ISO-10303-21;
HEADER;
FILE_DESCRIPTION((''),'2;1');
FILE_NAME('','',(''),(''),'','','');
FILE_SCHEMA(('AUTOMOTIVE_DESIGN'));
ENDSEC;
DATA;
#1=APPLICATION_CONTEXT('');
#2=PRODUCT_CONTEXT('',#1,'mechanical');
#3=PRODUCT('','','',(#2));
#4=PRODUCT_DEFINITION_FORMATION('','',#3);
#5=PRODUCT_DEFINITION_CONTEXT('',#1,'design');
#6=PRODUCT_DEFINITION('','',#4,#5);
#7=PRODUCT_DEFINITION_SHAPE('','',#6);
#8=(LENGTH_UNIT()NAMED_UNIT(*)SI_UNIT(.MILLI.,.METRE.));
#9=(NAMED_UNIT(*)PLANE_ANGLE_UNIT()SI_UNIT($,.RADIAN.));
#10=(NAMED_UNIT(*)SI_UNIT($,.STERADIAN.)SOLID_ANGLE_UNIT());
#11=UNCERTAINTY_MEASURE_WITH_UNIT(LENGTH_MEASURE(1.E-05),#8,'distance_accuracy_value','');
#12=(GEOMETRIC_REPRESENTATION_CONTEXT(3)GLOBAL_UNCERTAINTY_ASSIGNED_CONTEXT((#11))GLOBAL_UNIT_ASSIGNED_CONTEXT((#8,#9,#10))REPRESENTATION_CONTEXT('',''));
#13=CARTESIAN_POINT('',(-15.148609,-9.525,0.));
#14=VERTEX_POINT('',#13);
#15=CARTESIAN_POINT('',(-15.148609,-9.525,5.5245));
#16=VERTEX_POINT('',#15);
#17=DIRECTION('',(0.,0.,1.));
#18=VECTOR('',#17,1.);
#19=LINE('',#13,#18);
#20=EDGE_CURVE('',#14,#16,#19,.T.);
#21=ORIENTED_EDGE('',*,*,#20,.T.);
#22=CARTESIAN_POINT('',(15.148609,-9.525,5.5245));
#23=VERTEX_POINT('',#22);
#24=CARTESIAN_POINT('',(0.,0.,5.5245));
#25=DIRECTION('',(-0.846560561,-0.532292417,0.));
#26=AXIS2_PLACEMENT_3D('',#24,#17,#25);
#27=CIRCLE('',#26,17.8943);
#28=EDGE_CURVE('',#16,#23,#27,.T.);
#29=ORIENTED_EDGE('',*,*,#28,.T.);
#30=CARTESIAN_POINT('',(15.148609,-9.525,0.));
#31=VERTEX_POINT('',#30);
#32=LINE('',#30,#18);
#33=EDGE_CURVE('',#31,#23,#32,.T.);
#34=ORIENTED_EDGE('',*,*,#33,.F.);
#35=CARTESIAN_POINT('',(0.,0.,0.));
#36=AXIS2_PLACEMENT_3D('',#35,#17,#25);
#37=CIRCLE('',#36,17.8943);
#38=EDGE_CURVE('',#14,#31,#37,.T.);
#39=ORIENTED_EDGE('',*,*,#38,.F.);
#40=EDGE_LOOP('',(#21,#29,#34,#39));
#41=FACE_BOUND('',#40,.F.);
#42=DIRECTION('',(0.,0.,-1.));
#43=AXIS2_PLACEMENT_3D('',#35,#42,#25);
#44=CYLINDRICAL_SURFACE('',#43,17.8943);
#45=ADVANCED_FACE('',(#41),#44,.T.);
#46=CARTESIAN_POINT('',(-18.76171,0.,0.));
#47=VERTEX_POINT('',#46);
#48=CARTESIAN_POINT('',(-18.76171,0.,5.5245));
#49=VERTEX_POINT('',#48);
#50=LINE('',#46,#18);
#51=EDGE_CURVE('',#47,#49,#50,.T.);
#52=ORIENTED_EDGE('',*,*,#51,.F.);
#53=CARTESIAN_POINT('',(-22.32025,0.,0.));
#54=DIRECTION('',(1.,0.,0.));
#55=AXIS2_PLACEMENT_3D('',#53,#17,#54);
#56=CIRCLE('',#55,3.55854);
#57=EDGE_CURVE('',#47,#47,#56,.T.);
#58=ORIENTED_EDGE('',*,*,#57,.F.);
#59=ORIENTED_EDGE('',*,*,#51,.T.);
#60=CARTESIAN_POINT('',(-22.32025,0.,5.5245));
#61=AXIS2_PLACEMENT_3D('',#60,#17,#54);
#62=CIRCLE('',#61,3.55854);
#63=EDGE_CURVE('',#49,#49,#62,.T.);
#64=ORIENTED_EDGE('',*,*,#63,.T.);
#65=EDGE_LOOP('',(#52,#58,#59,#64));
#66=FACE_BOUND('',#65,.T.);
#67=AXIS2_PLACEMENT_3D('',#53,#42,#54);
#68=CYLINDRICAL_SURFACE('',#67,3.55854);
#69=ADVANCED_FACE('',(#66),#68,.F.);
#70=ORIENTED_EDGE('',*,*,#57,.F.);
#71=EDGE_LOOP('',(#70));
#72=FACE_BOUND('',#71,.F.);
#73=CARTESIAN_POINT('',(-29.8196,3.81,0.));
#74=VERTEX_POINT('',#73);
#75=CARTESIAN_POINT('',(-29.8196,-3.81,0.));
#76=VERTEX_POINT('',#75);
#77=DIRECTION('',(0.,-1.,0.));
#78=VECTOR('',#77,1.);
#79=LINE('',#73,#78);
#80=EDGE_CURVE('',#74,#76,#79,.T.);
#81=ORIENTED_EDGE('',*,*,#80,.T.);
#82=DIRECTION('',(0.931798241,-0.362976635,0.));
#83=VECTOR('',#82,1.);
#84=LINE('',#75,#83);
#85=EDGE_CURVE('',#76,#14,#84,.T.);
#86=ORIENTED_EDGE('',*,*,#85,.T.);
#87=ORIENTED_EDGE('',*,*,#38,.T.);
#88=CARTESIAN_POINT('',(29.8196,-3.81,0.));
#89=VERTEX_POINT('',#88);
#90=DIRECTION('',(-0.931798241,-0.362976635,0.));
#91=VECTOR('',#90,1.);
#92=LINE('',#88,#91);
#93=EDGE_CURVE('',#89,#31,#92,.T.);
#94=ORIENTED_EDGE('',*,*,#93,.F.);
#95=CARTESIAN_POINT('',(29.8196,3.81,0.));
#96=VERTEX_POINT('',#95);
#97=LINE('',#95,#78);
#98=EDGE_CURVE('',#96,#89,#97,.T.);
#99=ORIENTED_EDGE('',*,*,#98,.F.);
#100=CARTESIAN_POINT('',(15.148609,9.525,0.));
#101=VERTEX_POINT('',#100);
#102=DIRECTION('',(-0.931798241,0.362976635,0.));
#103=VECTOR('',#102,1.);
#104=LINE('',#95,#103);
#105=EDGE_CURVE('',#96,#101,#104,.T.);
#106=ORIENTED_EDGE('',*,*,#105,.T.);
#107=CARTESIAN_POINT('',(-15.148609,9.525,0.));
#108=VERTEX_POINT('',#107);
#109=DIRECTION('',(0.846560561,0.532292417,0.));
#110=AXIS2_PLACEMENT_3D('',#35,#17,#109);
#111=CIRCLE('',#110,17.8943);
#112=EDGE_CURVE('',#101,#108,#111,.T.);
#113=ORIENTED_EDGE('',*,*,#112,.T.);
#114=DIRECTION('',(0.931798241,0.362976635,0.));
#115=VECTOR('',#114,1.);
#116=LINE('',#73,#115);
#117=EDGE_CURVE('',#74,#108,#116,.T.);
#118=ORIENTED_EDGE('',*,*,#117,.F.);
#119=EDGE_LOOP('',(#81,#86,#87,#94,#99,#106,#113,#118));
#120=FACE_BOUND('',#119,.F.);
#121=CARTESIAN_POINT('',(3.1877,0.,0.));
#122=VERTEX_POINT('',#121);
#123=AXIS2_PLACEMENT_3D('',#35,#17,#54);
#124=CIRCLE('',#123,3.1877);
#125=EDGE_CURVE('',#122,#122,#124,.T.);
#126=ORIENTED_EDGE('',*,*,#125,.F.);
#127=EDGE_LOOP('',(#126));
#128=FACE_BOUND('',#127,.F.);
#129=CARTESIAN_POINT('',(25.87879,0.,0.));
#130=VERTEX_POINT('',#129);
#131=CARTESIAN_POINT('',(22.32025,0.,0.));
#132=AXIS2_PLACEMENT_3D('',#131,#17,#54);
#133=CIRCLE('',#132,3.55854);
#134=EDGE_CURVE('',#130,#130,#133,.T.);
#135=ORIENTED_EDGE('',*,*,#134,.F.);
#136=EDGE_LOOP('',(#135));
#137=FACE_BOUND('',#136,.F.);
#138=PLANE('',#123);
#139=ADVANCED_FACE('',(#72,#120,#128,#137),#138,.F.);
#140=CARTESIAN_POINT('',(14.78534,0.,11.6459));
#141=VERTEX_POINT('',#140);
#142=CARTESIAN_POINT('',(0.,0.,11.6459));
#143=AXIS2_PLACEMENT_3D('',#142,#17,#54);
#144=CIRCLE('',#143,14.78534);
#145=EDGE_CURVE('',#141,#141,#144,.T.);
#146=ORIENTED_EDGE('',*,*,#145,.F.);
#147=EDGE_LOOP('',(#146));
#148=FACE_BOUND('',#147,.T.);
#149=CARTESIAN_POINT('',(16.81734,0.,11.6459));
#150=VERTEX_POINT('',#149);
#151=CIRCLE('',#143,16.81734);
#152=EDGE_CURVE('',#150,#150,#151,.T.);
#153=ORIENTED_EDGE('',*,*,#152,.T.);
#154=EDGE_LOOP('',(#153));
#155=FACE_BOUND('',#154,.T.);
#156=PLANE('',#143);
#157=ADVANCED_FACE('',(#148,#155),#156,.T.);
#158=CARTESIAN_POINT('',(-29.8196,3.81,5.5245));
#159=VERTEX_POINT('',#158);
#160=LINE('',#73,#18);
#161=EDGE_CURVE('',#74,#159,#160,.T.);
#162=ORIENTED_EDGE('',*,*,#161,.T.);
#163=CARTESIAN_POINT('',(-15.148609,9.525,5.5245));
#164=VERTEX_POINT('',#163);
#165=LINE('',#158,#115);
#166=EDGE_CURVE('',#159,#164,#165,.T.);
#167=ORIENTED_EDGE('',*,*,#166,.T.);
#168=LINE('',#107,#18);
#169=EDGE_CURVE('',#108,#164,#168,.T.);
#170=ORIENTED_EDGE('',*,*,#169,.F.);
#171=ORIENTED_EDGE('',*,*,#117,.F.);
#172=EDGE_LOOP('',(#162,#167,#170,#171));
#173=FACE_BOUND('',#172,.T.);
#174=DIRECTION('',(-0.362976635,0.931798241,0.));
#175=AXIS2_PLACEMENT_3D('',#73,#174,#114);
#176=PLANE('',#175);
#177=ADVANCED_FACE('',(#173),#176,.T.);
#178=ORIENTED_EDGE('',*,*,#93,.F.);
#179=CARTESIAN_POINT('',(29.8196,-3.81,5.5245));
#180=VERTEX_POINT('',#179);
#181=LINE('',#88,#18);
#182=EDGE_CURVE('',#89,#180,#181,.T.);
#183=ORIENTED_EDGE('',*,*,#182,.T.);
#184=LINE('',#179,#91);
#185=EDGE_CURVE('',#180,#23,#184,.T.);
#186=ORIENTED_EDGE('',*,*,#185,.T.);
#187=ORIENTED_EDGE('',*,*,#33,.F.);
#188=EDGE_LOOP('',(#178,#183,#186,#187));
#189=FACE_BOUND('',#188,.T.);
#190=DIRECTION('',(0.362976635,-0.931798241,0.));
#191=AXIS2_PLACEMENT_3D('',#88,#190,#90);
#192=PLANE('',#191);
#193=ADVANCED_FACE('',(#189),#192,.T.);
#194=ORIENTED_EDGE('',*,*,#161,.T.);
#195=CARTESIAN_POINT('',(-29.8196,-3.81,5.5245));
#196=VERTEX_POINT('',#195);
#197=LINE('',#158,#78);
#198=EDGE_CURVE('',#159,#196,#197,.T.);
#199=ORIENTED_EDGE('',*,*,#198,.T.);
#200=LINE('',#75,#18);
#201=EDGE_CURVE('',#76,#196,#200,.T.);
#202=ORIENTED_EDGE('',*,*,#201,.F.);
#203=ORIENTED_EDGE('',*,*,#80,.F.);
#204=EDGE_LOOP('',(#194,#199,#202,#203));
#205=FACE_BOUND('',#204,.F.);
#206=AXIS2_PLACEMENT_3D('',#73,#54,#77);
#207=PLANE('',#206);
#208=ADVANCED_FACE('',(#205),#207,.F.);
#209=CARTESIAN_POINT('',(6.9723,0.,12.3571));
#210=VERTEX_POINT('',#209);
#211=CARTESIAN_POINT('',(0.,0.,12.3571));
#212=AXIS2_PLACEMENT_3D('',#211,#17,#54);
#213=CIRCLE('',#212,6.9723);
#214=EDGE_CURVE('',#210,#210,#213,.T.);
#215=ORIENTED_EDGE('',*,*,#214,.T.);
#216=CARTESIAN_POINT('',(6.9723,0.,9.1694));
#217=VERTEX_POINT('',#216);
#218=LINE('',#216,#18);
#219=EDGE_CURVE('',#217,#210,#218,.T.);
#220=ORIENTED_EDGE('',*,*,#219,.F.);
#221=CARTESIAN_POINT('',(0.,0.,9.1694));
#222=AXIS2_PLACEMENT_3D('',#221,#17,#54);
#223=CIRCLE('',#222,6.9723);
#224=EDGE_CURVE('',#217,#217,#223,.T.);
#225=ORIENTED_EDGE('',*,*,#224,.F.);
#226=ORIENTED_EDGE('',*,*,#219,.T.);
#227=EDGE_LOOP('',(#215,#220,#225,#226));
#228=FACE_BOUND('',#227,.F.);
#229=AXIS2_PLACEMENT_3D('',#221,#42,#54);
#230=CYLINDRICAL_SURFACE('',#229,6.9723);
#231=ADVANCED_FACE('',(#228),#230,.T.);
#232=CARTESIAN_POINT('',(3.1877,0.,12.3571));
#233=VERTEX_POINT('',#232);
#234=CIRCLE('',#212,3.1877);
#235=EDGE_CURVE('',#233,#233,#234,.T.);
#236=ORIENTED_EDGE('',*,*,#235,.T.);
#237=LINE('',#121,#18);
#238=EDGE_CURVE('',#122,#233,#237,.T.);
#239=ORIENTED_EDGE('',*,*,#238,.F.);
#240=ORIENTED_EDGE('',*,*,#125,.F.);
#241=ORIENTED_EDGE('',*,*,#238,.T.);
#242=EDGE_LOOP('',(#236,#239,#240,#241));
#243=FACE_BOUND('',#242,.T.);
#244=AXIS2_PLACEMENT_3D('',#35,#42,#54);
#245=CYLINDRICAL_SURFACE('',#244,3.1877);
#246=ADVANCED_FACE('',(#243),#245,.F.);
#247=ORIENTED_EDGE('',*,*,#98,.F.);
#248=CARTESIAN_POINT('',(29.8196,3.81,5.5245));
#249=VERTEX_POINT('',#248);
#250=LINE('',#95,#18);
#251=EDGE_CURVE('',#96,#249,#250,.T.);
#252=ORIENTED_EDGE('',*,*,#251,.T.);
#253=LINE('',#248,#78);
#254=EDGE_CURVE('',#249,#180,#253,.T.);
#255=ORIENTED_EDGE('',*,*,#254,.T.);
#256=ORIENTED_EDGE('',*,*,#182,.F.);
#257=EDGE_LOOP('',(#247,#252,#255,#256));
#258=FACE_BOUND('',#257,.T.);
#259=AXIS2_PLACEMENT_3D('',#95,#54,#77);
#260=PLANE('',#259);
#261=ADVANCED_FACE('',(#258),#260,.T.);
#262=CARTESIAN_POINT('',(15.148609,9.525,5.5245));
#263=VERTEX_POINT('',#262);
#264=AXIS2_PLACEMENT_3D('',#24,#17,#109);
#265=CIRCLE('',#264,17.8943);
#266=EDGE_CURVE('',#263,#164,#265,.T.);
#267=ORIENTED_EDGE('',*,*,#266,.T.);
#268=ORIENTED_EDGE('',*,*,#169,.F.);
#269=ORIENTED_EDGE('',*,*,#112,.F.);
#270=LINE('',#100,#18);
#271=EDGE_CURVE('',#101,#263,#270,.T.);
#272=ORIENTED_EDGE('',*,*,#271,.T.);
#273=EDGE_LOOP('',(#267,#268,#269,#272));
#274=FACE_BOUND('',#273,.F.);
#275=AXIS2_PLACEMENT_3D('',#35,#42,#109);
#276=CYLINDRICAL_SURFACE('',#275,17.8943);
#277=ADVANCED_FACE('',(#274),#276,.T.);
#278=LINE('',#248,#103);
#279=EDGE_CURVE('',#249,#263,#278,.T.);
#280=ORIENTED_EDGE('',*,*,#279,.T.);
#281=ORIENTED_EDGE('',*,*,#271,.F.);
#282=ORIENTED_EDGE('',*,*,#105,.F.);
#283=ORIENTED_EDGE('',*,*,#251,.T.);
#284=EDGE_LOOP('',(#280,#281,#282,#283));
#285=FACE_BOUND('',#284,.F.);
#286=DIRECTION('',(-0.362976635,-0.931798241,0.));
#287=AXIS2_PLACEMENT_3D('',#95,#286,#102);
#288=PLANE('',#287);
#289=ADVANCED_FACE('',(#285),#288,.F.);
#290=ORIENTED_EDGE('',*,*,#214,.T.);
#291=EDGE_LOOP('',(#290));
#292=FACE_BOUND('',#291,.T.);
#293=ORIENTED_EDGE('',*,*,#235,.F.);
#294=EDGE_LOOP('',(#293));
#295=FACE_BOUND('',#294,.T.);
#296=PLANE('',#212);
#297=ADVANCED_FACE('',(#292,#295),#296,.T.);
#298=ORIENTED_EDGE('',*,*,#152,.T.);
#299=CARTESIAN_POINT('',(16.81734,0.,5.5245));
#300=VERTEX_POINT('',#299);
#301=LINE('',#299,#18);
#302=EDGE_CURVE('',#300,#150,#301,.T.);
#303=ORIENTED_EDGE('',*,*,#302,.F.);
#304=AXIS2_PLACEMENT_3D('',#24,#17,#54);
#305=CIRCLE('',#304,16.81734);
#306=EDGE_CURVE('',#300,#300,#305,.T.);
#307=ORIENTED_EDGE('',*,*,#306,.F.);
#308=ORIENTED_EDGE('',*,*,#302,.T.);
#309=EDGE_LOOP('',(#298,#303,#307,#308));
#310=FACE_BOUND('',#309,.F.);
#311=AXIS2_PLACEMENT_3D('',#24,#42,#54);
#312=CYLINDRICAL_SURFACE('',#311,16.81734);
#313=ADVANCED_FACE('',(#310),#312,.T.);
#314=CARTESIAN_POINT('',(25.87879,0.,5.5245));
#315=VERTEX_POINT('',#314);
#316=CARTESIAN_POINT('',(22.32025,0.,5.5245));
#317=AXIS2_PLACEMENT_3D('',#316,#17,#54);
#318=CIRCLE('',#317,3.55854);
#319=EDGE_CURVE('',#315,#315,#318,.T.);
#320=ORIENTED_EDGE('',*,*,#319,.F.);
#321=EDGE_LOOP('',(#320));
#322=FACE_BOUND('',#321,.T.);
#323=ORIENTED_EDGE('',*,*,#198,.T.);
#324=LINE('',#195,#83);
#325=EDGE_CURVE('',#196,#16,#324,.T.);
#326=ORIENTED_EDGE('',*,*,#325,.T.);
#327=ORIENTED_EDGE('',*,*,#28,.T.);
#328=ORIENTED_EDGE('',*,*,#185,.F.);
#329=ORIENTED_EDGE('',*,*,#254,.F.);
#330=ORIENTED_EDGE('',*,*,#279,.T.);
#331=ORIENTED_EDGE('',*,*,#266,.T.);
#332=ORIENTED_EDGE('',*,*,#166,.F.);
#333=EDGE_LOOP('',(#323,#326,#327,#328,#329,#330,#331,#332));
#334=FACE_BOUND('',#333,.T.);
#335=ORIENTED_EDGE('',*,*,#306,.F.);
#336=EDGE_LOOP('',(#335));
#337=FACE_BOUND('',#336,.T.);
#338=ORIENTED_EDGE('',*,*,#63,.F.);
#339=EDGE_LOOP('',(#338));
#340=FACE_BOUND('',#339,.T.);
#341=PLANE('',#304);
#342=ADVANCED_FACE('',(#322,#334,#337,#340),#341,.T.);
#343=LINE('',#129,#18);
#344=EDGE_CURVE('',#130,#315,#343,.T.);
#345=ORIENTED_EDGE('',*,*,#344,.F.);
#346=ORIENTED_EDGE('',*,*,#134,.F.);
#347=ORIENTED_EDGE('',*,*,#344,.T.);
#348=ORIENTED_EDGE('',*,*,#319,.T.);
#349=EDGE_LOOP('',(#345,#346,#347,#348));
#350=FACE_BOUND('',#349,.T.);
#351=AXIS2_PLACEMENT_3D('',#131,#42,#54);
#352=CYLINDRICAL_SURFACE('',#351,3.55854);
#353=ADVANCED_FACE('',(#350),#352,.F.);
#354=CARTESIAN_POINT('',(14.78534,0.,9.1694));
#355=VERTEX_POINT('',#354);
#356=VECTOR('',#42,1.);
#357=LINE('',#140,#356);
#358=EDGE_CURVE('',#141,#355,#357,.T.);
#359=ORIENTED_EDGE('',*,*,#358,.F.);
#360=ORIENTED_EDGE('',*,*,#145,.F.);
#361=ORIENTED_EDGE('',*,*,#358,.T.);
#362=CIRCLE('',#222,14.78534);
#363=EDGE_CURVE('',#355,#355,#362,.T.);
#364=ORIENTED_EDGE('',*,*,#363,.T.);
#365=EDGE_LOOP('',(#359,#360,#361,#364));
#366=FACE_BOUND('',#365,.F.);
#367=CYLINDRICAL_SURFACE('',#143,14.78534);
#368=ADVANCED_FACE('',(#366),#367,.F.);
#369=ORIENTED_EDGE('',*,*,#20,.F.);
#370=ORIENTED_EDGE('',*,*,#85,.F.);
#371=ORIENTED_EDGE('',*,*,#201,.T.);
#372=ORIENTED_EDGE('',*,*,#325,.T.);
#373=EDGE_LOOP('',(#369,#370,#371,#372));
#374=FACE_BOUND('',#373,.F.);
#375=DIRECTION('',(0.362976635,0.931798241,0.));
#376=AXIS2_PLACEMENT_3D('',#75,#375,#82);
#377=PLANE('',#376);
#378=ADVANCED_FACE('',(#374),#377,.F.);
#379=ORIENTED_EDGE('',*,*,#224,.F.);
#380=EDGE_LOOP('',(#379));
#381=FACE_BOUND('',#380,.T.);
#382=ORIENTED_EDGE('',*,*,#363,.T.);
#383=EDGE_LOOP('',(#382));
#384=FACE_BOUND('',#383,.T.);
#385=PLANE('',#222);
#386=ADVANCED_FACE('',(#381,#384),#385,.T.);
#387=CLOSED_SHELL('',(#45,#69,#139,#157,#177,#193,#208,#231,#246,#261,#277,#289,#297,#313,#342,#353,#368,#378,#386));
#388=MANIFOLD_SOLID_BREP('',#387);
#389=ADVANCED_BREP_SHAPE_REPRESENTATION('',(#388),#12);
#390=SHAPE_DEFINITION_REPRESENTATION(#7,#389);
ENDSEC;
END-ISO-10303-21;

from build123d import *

# Parameters (mm, degrees)
SKETCH_R        = 3.55854
SKETCH_R_2      = 3.1877
PAD_DEPTH       = 5.5245
SKETCH001_R     = 16.81734
PAD001_DEPTH    = 6.1214
SKETCH002_R     = 14.78534
POCKET_DEPTH    = 2.4765
SKETCH003_R     = 6.9723
PAD002_DEPTH    = 3.1877
SKETCH004_R     = 3.1877
POCKET001_DEPTH = 12.3581


with BuildPart() as part:
    # Sketch → Pad (new body)
    with BuildSketch(Plane.XY):
        with BuildLine():
            ThreePointArc((-15.148609, -9.525), (0, -17.8943), (15.148609, -9.525))
            Line((29.8196, -3.81), (15.148609, -9.525))
            Line((29.8196, 3.81), (29.8196, -3.81))
            Line((29.8196, 3.81), (15.148609, 9.525))
            ThreePointArc((15.148609, 9.525), (0, 17.8943), (-15.148609, 9.525))
            Line((-29.8196, 3.81), (-15.148609, 9.525))
            Line((-29.8196, 3.81), (-29.8196, -3.81))
            Line((-29.8196, -3.81), (-15.148609, -9.525))
        make_face()
        with Locations((22.32025, 0)):
            Circle(SKETCH_R, mode=Mode.SUBTRACT)
        with Locations((-22.32025, 0)):
            Circle(SKETCH_R, mode=Mode.SUBTRACT)
        Circle(SKETCH_R_2, mode=Mode.SUBTRACT)
    extrude(amount=PAD_DEPTH)

    # Sketch001 → Pad001 (new body)
    with BuildSketch(Plane.XY.offset(5.5245)):
        Circle(SKETCH001_R)
    extrude(amount=PAD001_DEPTH)

    # Sketch002 → Pocket (cut)
    with BuildSketch(Plane.XY.offset(11.6459)):
        Circle(SKETCH002_R)
    extrude(amount=-POCKET_DEPTH, mode=Mode.SUBTRACT)

    # Sketch003 → Pad002 (new body)
    with BuildSketch(Plane.XY.offset(9.1694)):
        Circle(SKETCH003_R)
    extrude(amount=PAD002_DEPTH)

    # Sketch004 → Pocket001 (cut, through all)
    with BuildSketch(Plane.XY.offset(12.3571)):
        Circle(SKETCH004_R)
    extrude(amount=-POCKET001_DEPTH, mode=Mode.SUBTRACT)


solid = part.part
